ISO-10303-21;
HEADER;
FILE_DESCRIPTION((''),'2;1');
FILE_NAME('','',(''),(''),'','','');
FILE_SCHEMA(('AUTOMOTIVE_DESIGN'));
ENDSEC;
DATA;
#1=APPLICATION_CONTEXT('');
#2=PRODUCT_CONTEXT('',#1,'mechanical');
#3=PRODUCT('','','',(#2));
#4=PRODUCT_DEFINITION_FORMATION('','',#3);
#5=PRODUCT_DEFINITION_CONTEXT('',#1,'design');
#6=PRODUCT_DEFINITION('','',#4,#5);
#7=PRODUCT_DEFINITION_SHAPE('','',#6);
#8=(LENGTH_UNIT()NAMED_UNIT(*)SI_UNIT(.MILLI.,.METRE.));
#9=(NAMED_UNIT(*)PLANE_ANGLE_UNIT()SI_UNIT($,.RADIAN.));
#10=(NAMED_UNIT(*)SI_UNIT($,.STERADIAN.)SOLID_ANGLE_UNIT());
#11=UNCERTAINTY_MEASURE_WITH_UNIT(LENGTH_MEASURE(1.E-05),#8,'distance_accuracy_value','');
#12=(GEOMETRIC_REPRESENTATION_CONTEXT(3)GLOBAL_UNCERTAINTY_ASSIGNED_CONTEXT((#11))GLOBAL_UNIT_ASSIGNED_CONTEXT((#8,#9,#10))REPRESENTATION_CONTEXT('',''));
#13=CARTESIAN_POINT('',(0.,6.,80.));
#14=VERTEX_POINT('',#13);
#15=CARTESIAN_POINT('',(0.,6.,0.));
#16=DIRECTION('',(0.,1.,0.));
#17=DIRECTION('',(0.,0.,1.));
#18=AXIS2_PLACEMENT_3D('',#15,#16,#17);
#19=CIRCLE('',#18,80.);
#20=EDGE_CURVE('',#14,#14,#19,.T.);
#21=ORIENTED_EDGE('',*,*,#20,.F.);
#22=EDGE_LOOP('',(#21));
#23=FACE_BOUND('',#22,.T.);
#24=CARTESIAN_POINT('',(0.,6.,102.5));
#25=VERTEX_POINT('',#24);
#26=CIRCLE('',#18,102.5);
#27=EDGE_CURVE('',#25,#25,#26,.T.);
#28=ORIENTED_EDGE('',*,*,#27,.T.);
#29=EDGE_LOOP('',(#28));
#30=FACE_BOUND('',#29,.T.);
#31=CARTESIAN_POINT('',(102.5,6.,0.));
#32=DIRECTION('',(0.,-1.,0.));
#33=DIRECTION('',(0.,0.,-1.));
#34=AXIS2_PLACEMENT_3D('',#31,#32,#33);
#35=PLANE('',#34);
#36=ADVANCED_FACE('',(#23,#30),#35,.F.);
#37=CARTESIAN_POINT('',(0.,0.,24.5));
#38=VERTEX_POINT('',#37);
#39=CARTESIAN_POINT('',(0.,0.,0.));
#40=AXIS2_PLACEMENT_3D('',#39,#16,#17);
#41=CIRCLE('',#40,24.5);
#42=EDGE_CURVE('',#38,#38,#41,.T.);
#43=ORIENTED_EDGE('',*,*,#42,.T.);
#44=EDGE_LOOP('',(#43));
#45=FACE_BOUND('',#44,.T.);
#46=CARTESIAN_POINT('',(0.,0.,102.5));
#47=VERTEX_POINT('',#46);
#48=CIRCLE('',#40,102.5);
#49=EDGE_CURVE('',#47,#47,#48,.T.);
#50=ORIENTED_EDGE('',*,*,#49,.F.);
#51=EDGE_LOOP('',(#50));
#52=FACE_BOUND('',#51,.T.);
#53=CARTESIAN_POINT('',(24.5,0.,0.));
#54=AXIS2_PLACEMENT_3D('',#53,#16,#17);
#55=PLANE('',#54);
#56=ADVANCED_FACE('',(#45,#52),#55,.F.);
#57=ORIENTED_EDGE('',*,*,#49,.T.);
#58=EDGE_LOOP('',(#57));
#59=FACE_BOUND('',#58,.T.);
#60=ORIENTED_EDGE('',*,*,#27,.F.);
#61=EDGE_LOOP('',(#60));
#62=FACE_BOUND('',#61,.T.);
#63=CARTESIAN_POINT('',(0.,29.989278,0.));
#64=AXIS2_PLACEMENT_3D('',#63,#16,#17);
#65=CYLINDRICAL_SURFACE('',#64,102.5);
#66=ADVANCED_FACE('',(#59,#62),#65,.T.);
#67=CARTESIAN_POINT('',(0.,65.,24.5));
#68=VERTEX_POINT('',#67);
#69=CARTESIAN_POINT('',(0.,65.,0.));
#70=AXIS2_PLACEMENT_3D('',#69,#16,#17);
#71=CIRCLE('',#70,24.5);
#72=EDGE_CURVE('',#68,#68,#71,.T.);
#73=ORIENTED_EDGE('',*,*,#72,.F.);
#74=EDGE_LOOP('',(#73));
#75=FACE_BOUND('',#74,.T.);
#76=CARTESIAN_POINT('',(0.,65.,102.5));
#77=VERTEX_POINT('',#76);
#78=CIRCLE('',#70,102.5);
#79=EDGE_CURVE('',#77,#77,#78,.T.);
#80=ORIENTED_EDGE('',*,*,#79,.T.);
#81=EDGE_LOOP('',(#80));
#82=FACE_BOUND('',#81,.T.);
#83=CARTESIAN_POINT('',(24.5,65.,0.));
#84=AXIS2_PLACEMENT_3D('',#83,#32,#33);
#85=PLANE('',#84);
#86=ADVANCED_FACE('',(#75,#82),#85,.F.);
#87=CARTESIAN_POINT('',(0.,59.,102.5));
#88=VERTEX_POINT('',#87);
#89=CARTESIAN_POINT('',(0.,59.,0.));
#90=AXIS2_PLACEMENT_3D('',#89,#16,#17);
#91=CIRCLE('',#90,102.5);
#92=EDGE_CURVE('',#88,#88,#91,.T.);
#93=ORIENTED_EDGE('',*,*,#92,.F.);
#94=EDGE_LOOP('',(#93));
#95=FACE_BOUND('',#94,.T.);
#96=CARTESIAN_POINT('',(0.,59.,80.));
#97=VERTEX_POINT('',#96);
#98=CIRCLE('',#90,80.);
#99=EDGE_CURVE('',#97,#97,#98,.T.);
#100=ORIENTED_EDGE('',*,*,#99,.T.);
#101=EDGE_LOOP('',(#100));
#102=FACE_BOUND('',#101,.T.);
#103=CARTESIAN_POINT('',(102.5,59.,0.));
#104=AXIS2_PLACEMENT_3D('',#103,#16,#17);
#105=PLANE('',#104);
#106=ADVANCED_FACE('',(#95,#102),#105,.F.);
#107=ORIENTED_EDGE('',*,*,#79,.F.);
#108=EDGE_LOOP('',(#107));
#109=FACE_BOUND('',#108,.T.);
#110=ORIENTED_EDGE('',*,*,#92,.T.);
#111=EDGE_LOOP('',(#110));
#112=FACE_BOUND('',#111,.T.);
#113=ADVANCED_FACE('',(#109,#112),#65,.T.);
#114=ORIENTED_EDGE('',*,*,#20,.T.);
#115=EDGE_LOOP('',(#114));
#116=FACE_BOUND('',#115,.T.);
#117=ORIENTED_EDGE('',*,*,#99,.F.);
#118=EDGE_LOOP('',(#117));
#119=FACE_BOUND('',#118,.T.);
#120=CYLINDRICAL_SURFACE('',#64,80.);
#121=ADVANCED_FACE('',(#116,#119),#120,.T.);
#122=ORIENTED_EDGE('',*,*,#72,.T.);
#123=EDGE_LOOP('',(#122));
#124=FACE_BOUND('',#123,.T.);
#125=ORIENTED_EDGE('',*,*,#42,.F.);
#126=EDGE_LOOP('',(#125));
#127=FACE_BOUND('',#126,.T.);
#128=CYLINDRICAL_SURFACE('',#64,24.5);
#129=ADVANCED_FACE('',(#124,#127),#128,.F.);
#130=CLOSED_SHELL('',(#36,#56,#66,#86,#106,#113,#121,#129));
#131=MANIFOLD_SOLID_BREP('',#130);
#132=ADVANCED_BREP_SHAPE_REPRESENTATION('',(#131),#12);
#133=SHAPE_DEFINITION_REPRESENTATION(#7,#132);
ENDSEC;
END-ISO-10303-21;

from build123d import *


with BuildPart() as part:
    # Esboço1 → Revolução1 (revolve)
    with BuildSketch(Plane.XY):
        Polygon((24.5, 0), (102.5, 0), (102.5, 6), (80, 6), (80, 59), (102.5, 59), (102.5, 65), (24.5, 65), align=None)
    revolve(axis=Axis((0, 29.989278224, 0), (0, -1, 0)))


solid = part.part
